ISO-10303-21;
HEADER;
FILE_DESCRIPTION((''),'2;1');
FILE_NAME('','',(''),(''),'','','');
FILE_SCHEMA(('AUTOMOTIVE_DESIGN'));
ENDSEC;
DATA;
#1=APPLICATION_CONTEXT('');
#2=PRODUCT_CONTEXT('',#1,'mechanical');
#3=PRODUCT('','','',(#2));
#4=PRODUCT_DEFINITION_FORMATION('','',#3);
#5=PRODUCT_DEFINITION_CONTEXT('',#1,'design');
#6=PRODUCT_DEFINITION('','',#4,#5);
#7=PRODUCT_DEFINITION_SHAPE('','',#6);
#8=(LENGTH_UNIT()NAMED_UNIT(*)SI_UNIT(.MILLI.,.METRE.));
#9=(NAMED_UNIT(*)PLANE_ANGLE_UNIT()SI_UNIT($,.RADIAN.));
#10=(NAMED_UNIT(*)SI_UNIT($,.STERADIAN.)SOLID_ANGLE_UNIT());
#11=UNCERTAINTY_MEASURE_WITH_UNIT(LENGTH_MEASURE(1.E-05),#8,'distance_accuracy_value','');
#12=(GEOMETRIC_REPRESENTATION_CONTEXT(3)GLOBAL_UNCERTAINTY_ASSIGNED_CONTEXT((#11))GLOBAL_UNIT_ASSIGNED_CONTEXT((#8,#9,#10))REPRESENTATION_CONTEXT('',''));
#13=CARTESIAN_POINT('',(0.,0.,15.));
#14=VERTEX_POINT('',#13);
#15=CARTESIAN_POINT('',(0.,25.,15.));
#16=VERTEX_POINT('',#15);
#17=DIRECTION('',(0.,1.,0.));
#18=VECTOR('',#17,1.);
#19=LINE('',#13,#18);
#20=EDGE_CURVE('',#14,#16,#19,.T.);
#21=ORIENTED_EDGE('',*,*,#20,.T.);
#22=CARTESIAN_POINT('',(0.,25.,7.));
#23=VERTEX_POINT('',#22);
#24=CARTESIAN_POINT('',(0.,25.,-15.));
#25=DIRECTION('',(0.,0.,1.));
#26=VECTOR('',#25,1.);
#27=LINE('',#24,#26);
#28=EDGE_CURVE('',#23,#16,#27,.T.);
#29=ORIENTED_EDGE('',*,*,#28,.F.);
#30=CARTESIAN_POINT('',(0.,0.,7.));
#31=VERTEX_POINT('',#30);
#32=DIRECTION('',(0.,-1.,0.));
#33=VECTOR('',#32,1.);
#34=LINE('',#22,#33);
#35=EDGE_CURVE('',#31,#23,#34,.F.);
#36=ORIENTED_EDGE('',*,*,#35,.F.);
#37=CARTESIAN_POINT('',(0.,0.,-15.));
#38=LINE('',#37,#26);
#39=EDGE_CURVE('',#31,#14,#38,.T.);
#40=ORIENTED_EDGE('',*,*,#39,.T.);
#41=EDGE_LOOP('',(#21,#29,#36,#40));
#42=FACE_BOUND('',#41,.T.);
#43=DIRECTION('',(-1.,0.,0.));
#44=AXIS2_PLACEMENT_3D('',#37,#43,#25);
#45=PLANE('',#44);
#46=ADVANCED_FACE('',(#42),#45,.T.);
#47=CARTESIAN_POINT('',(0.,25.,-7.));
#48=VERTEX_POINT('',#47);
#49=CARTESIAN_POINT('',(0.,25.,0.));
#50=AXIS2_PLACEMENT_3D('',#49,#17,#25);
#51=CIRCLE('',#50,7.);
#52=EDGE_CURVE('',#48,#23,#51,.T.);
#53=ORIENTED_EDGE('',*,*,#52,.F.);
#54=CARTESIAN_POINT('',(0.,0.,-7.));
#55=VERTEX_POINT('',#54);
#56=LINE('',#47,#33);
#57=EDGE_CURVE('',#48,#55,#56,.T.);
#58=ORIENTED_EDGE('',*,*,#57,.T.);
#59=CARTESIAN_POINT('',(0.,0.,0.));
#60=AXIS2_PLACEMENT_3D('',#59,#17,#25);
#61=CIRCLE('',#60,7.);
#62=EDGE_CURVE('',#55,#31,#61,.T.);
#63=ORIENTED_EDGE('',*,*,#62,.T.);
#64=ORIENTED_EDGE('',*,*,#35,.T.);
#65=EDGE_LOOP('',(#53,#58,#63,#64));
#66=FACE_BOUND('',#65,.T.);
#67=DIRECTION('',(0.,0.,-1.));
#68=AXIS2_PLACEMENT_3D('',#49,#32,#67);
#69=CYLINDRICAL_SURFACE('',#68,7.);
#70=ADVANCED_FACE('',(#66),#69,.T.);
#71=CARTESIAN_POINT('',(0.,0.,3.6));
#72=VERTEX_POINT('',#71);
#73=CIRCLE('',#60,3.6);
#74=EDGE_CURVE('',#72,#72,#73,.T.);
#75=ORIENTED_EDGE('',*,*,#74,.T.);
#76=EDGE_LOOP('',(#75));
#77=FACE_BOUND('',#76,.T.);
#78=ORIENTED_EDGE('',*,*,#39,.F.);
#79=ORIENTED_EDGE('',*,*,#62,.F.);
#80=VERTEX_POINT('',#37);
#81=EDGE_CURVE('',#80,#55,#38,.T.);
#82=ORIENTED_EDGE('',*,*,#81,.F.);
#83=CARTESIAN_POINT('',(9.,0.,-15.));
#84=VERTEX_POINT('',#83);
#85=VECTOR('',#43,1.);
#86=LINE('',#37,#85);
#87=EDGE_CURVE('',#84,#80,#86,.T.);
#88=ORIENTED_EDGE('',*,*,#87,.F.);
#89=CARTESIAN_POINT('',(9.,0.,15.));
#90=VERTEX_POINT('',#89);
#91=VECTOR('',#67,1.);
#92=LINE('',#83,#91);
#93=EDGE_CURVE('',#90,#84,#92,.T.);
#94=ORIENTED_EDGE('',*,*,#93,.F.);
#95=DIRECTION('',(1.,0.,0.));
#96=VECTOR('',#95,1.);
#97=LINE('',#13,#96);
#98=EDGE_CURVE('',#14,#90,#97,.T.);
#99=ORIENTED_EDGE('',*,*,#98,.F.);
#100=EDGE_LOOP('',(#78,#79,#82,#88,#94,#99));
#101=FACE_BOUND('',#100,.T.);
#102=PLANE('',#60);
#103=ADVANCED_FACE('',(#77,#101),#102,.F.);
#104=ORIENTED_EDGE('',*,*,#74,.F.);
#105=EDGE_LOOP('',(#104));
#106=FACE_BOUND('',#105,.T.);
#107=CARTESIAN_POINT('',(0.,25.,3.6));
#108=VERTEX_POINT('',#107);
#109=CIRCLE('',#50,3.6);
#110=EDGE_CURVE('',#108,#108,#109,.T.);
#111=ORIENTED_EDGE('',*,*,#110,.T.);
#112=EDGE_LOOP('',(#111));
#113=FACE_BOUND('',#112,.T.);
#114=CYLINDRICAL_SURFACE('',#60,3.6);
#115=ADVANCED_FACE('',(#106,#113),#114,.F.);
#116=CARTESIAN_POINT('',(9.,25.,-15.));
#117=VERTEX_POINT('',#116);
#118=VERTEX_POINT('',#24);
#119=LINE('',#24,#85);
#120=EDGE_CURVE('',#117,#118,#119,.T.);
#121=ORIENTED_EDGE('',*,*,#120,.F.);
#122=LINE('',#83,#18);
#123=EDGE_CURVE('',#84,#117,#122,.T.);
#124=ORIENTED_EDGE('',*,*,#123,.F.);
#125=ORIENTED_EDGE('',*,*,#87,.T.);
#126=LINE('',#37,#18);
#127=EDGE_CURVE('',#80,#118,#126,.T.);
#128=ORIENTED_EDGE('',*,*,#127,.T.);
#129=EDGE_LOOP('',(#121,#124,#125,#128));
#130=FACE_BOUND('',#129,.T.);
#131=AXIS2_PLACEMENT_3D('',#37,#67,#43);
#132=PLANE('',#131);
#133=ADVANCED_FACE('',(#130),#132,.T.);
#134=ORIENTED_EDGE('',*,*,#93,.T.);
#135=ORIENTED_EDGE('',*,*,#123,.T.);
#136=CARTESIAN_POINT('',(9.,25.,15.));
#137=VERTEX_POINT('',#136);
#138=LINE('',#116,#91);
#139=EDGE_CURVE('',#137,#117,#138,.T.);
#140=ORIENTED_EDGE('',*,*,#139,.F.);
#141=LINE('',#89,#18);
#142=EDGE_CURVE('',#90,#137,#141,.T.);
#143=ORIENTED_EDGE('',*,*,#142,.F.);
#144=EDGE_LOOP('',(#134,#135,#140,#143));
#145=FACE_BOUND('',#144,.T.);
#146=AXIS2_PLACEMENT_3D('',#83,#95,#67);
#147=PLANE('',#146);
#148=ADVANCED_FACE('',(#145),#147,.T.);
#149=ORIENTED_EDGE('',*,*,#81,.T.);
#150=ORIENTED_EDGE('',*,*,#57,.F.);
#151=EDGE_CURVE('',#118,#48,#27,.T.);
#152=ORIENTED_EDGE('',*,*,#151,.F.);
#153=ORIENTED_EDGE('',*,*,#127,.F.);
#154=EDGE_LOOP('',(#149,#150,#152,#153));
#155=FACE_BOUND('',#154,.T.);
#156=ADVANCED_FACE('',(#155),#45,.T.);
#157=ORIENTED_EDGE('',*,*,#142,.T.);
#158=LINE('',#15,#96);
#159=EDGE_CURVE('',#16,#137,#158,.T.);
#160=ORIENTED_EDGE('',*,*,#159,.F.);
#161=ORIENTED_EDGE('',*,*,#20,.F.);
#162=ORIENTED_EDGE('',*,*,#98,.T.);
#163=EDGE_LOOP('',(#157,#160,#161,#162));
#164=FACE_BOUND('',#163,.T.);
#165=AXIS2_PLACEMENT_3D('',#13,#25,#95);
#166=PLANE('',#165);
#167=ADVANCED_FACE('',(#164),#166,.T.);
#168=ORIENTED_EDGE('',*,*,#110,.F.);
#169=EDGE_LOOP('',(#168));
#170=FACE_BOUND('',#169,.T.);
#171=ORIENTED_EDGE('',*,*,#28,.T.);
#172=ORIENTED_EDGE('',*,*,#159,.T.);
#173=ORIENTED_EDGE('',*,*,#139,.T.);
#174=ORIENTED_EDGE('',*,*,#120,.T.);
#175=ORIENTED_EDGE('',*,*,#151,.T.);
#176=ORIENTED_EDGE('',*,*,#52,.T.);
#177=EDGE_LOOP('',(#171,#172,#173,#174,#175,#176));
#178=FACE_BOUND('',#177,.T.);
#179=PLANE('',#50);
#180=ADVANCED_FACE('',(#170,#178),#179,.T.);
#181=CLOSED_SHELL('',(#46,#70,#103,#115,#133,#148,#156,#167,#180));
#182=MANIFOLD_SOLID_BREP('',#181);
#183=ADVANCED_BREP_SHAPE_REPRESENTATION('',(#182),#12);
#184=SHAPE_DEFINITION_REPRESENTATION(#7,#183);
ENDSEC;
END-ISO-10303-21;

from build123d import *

# Parameters (mm, degrees)
SKETCH1_R           = 7
BOSS_EXTRUDE1_DEPTH = 25
SKETCH2_W           = 9
SKETCH2_H           = 30
BOSS_EXTRUDE2_DEPTH = 25
SKETCH3_R           = 3.6
CUT_EXTRUDE1_DEPTH  = 31.512292605


with BuildPart() as part:
    # Sketch1 → Boss-Extrude1 (new body)
    with BuildSketch(Plane(origin=(0, 0, 0), x_dir=(1, 0, 0), z_dir=(0, 1, 0))):
        Circle(SKETCH1_R)
    extrude(amount=BOSS_EXTRUDE1_DEPTH)

    # Sketch2 → Boss-Extrude2 (add)
    with BuildSketch(Plane(origin=(0, 25, 0), x_dir=(1, 0, 0), z_dir=(0, 1, 0))):
        with Locations((4.5, 0)):
            Rectangle(SKETCH2_W, SKETCH2_H)
    extrude(amount=-BOSS_EXTRUDE2_DEPTH)

    # Sketch3 → Cut-Extrude1 (cut, through all)
    with BuildSketch(Plane(origin=(0, 25, 0), x_dir=(1, 0, 0), z_dir=(0, 1, 0))):
        Circle(SKETCH3_R)
    extrude(amount=-CUT_EXTRUDE1_DEPTH, mode=Mode.SUBTRACT)


solid = part.part
